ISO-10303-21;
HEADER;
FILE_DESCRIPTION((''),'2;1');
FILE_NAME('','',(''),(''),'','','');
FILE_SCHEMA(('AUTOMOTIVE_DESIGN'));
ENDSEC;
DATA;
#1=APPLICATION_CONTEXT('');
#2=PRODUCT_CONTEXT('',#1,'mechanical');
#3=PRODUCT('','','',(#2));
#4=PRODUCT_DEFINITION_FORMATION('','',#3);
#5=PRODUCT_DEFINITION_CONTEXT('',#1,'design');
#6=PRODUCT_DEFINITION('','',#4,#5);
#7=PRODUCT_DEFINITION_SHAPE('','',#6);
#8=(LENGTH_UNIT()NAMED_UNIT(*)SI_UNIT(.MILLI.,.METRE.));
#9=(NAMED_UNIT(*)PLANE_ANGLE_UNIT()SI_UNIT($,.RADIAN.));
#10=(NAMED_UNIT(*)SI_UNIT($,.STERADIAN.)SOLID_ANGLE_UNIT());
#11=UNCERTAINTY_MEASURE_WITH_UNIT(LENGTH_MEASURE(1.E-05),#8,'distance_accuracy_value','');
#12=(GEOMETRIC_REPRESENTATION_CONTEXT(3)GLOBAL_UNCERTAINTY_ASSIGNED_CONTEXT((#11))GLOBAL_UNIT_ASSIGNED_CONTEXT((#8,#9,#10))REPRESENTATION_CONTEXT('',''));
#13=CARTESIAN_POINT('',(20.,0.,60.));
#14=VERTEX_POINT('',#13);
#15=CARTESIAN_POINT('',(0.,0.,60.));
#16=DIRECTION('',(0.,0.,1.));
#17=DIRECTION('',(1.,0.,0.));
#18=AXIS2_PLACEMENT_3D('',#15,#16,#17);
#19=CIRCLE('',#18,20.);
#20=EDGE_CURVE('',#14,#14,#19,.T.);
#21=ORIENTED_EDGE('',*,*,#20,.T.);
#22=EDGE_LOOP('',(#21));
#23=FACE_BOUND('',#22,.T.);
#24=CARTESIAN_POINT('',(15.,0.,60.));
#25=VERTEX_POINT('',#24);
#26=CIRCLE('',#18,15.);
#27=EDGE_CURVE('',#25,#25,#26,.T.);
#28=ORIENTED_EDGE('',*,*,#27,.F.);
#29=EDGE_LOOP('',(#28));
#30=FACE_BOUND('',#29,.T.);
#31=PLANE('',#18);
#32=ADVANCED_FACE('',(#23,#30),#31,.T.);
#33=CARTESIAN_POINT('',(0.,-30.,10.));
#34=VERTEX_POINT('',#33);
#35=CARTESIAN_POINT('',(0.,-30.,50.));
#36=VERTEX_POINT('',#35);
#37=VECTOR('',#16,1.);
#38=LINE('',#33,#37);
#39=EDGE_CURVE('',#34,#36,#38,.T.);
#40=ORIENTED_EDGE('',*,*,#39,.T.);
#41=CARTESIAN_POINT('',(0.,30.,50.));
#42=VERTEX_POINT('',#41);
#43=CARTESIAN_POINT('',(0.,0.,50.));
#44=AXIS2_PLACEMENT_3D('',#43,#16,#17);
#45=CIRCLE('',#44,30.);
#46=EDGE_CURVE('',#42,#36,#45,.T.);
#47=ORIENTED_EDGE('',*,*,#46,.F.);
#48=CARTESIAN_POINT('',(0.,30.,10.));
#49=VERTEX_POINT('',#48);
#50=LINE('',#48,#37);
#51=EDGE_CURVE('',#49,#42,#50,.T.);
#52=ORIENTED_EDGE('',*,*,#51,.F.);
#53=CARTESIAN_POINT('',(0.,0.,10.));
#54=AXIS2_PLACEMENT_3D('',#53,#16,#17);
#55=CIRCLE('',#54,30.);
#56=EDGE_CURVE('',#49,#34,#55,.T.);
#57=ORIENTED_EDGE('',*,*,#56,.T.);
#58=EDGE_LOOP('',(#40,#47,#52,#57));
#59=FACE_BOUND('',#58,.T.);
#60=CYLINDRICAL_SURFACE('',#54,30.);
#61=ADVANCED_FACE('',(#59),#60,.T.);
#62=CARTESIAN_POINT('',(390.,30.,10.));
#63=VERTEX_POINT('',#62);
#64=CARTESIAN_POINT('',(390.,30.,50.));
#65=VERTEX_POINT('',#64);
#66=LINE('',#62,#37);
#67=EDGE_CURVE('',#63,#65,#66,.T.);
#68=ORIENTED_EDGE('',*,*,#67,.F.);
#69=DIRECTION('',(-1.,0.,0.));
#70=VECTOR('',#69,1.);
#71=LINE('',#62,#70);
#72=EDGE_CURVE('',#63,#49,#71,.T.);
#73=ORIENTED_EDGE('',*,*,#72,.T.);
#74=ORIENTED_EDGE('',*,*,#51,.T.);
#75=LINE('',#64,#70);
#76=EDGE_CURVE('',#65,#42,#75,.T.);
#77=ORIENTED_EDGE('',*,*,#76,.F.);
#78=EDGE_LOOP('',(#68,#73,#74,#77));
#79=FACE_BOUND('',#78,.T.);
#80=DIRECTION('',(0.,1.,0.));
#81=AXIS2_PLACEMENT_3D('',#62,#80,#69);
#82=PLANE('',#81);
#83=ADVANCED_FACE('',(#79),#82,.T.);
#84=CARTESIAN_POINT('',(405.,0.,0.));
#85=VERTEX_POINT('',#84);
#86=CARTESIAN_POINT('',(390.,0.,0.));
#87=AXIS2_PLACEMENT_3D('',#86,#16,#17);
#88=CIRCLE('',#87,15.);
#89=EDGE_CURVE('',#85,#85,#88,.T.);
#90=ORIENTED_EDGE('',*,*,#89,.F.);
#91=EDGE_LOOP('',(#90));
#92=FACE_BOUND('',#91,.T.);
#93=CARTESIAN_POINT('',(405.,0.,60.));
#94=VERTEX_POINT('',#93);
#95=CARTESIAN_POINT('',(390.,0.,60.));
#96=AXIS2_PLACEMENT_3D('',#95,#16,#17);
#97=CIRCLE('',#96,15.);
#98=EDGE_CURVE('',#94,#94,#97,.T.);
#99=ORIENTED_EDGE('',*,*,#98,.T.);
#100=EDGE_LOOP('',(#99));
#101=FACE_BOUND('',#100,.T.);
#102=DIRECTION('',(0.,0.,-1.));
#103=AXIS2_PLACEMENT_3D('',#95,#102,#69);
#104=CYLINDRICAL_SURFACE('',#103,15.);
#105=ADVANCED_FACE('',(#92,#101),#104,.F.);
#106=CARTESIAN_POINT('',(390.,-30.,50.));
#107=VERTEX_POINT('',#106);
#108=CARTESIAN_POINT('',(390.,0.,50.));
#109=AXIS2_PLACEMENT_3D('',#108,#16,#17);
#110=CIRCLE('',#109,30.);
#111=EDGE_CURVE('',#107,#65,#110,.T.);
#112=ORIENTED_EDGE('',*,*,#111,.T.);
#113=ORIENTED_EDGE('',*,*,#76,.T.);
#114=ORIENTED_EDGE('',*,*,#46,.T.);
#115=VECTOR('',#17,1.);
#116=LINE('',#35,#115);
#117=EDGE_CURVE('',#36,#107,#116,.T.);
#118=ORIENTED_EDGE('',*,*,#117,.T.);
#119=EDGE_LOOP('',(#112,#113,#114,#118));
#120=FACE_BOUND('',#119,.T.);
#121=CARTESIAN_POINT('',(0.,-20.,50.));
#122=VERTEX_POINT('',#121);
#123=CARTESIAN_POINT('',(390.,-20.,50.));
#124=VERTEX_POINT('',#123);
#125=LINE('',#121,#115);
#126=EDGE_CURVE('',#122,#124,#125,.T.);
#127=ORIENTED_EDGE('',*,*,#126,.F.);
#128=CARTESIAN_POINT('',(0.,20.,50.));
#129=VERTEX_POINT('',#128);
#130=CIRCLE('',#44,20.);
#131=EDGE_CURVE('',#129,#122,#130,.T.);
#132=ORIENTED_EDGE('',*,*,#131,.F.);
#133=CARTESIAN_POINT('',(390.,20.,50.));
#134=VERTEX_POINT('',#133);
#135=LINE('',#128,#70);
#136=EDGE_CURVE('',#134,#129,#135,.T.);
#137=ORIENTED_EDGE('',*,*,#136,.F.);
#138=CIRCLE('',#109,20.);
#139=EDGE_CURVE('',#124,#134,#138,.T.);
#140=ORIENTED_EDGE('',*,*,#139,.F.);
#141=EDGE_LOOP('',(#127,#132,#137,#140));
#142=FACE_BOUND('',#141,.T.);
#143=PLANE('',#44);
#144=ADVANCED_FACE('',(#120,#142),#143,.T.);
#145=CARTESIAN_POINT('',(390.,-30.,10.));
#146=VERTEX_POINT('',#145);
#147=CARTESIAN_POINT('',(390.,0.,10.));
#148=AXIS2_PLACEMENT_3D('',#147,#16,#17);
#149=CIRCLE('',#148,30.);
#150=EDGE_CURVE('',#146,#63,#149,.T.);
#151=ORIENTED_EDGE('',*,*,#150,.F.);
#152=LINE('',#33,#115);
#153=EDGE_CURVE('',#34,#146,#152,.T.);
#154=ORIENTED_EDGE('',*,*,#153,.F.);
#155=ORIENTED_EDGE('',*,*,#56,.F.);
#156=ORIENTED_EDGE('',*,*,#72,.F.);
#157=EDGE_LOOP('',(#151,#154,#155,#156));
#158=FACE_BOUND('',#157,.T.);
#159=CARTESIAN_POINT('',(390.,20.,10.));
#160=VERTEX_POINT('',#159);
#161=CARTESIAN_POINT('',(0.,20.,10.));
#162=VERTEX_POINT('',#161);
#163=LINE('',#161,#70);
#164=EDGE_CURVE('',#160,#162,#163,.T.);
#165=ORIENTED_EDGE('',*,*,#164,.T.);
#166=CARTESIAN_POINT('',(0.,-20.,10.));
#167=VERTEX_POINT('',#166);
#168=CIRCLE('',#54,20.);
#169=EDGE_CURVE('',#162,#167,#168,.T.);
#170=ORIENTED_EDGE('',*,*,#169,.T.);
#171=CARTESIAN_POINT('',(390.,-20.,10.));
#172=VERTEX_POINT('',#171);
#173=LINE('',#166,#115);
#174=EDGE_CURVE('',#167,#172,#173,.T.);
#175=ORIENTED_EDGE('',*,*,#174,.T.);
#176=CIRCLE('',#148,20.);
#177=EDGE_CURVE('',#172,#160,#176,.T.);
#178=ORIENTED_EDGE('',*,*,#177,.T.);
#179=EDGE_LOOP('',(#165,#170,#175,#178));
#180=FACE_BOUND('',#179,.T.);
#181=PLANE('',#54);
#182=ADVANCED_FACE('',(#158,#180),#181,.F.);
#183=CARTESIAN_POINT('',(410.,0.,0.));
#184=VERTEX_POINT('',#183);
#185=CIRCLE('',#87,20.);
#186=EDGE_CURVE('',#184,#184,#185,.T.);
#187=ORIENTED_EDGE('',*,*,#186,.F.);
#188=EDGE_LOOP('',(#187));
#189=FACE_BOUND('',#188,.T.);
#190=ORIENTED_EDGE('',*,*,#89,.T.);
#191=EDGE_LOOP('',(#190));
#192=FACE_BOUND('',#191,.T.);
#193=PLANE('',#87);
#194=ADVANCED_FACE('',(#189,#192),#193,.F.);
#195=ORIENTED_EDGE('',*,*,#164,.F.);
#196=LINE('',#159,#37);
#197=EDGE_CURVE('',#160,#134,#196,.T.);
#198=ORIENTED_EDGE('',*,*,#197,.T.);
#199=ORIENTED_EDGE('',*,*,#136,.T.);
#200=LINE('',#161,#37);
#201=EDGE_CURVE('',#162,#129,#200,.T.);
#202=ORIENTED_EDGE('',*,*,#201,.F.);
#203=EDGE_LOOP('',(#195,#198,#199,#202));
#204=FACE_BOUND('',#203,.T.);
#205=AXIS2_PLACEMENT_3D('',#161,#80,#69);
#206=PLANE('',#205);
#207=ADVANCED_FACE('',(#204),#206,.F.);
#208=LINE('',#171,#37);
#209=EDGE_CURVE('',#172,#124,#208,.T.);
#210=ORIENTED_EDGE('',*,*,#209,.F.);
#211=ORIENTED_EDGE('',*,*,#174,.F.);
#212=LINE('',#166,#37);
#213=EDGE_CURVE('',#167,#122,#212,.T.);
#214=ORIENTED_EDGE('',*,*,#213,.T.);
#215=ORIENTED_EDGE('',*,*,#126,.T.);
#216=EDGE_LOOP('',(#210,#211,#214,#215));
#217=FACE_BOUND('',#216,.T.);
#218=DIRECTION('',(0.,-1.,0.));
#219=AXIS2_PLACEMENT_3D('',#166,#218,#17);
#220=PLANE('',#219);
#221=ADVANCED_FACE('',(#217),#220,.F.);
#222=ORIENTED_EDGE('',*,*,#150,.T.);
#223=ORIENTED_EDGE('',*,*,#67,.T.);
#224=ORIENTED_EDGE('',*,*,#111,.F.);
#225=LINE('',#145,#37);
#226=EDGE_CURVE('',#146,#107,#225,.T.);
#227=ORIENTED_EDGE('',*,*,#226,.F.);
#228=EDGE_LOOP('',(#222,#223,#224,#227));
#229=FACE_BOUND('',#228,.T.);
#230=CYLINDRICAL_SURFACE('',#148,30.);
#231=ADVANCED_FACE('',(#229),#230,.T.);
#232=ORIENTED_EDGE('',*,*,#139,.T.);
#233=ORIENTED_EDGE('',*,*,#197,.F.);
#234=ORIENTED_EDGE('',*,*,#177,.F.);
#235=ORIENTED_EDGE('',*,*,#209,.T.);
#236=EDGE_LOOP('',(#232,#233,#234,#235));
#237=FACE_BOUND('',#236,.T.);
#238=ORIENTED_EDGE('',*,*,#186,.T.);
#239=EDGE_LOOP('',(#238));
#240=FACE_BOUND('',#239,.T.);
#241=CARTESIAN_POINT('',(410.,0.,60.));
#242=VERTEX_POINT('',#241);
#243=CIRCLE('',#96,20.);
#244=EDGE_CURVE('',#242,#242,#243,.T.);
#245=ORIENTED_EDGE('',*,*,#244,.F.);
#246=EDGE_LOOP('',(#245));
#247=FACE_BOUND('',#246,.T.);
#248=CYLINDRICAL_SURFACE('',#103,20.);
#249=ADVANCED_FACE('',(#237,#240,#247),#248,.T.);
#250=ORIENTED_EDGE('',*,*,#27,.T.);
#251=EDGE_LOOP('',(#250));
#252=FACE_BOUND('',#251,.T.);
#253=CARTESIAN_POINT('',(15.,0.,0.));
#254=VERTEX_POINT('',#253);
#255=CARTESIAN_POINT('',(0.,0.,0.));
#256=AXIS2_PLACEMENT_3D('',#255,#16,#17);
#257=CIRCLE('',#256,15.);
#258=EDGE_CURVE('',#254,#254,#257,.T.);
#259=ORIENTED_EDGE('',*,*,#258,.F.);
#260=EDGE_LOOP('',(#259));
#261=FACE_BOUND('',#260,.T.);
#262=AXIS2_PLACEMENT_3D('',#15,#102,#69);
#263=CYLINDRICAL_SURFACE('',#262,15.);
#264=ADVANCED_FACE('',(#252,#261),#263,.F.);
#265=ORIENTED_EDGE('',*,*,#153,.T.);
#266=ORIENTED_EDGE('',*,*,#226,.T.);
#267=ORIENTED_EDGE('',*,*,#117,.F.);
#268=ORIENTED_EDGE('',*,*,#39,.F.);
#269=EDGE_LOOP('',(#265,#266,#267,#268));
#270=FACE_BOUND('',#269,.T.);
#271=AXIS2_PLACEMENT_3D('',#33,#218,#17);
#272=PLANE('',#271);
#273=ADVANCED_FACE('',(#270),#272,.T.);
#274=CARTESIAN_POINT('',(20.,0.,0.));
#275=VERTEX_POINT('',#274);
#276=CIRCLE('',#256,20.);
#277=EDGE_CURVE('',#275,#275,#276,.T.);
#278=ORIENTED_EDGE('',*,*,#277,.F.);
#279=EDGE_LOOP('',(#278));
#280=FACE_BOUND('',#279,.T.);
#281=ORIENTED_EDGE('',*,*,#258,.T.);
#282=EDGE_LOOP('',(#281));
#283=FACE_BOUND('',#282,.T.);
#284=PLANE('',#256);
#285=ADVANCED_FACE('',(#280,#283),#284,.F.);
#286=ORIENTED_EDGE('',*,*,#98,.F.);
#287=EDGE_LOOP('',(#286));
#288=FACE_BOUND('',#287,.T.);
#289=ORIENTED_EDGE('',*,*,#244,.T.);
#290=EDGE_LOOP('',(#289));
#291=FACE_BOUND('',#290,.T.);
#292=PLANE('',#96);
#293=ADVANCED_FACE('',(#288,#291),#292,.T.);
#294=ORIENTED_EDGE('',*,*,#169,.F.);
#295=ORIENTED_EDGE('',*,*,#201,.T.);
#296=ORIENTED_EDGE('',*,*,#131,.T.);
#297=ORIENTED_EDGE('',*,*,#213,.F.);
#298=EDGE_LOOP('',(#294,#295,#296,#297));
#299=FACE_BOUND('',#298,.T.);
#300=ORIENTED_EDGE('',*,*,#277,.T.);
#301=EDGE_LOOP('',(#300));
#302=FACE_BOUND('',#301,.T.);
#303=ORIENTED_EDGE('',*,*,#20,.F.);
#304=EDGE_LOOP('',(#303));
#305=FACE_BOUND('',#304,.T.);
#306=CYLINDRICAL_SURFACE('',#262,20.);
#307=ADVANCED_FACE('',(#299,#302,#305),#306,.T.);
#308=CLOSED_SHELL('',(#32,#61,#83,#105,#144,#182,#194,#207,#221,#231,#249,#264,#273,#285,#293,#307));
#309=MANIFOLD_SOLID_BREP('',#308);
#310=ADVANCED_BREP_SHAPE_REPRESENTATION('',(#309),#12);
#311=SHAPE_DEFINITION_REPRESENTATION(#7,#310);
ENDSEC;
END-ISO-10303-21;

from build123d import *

# Parameters (mm, degrees)
SKETCH1_R             = 20
SKETCH1_R_2           = 15
BOSS_EXTRUDE1_DEPTH   = 60
BOSS_EXTRUDE1_2_DEPTH = 60
BOSS_EXTRUDE2_START   = -50
BOSS_EXTRUDE2_DEPTH   = 40


with BuildPart() as part:
    # Sketch1 → Boss-Extrude1 (new body)
    with BuildSketch(Plane.XY):
        Circle(SKETCH1_R)
        Circle(SKETCH1_R_2, mode=Mode.SUBTRACT)
    extrude(amount=BOSS_EXTRUDE1_DEPTH)



with BuildPart() as body_2:
    # Sketch1 → Boss-Extrude1 2 (new body)
    with BuildSketch(Plane.XY):
        with Locations((390, 0)):
            Circle(SKETCH1_R)
        with Locations((390, 0)):
            Circle(SKETCH1_R_2, mode=Mode.SUBTRACT)
    extrude(amount=BOSS_EXTRUDE1_2_DEPTH)


with BuildPart() as part_1:
    add(part.part)

    add(body_2.part)  # Boss-Extrude2 merges body 2
    # Sketch2 → Boss-Extrude2 (add)
    with BuildSketch(Plane.XY.offset(60).offset(BOSS_EXTRUDE2_START)):
        with BuildLine():
            Line((0, -30), (390, -30))
            ThreePointArc((390, -30), (420, 0), (390, 30))
            Line((390, 30), (0, 30))
            ThreePointArc((0, 30), (-30, 0), (0, -30))
        make_face()
        with BuildLine():
            Line((0, 20), (390, 20))
            ThreePointArc((390, 20), (410, 0), (390, -20))
            Line((390, -20), (0, -20))
            ThreePointArc((0, -20), (-20, 0), (0, 20))
        make_face(mode=Mode.SUBTRACT)
    extrude(amount=BOSS_EXTRUDE2_DEPTH)


solid = part_1.part
